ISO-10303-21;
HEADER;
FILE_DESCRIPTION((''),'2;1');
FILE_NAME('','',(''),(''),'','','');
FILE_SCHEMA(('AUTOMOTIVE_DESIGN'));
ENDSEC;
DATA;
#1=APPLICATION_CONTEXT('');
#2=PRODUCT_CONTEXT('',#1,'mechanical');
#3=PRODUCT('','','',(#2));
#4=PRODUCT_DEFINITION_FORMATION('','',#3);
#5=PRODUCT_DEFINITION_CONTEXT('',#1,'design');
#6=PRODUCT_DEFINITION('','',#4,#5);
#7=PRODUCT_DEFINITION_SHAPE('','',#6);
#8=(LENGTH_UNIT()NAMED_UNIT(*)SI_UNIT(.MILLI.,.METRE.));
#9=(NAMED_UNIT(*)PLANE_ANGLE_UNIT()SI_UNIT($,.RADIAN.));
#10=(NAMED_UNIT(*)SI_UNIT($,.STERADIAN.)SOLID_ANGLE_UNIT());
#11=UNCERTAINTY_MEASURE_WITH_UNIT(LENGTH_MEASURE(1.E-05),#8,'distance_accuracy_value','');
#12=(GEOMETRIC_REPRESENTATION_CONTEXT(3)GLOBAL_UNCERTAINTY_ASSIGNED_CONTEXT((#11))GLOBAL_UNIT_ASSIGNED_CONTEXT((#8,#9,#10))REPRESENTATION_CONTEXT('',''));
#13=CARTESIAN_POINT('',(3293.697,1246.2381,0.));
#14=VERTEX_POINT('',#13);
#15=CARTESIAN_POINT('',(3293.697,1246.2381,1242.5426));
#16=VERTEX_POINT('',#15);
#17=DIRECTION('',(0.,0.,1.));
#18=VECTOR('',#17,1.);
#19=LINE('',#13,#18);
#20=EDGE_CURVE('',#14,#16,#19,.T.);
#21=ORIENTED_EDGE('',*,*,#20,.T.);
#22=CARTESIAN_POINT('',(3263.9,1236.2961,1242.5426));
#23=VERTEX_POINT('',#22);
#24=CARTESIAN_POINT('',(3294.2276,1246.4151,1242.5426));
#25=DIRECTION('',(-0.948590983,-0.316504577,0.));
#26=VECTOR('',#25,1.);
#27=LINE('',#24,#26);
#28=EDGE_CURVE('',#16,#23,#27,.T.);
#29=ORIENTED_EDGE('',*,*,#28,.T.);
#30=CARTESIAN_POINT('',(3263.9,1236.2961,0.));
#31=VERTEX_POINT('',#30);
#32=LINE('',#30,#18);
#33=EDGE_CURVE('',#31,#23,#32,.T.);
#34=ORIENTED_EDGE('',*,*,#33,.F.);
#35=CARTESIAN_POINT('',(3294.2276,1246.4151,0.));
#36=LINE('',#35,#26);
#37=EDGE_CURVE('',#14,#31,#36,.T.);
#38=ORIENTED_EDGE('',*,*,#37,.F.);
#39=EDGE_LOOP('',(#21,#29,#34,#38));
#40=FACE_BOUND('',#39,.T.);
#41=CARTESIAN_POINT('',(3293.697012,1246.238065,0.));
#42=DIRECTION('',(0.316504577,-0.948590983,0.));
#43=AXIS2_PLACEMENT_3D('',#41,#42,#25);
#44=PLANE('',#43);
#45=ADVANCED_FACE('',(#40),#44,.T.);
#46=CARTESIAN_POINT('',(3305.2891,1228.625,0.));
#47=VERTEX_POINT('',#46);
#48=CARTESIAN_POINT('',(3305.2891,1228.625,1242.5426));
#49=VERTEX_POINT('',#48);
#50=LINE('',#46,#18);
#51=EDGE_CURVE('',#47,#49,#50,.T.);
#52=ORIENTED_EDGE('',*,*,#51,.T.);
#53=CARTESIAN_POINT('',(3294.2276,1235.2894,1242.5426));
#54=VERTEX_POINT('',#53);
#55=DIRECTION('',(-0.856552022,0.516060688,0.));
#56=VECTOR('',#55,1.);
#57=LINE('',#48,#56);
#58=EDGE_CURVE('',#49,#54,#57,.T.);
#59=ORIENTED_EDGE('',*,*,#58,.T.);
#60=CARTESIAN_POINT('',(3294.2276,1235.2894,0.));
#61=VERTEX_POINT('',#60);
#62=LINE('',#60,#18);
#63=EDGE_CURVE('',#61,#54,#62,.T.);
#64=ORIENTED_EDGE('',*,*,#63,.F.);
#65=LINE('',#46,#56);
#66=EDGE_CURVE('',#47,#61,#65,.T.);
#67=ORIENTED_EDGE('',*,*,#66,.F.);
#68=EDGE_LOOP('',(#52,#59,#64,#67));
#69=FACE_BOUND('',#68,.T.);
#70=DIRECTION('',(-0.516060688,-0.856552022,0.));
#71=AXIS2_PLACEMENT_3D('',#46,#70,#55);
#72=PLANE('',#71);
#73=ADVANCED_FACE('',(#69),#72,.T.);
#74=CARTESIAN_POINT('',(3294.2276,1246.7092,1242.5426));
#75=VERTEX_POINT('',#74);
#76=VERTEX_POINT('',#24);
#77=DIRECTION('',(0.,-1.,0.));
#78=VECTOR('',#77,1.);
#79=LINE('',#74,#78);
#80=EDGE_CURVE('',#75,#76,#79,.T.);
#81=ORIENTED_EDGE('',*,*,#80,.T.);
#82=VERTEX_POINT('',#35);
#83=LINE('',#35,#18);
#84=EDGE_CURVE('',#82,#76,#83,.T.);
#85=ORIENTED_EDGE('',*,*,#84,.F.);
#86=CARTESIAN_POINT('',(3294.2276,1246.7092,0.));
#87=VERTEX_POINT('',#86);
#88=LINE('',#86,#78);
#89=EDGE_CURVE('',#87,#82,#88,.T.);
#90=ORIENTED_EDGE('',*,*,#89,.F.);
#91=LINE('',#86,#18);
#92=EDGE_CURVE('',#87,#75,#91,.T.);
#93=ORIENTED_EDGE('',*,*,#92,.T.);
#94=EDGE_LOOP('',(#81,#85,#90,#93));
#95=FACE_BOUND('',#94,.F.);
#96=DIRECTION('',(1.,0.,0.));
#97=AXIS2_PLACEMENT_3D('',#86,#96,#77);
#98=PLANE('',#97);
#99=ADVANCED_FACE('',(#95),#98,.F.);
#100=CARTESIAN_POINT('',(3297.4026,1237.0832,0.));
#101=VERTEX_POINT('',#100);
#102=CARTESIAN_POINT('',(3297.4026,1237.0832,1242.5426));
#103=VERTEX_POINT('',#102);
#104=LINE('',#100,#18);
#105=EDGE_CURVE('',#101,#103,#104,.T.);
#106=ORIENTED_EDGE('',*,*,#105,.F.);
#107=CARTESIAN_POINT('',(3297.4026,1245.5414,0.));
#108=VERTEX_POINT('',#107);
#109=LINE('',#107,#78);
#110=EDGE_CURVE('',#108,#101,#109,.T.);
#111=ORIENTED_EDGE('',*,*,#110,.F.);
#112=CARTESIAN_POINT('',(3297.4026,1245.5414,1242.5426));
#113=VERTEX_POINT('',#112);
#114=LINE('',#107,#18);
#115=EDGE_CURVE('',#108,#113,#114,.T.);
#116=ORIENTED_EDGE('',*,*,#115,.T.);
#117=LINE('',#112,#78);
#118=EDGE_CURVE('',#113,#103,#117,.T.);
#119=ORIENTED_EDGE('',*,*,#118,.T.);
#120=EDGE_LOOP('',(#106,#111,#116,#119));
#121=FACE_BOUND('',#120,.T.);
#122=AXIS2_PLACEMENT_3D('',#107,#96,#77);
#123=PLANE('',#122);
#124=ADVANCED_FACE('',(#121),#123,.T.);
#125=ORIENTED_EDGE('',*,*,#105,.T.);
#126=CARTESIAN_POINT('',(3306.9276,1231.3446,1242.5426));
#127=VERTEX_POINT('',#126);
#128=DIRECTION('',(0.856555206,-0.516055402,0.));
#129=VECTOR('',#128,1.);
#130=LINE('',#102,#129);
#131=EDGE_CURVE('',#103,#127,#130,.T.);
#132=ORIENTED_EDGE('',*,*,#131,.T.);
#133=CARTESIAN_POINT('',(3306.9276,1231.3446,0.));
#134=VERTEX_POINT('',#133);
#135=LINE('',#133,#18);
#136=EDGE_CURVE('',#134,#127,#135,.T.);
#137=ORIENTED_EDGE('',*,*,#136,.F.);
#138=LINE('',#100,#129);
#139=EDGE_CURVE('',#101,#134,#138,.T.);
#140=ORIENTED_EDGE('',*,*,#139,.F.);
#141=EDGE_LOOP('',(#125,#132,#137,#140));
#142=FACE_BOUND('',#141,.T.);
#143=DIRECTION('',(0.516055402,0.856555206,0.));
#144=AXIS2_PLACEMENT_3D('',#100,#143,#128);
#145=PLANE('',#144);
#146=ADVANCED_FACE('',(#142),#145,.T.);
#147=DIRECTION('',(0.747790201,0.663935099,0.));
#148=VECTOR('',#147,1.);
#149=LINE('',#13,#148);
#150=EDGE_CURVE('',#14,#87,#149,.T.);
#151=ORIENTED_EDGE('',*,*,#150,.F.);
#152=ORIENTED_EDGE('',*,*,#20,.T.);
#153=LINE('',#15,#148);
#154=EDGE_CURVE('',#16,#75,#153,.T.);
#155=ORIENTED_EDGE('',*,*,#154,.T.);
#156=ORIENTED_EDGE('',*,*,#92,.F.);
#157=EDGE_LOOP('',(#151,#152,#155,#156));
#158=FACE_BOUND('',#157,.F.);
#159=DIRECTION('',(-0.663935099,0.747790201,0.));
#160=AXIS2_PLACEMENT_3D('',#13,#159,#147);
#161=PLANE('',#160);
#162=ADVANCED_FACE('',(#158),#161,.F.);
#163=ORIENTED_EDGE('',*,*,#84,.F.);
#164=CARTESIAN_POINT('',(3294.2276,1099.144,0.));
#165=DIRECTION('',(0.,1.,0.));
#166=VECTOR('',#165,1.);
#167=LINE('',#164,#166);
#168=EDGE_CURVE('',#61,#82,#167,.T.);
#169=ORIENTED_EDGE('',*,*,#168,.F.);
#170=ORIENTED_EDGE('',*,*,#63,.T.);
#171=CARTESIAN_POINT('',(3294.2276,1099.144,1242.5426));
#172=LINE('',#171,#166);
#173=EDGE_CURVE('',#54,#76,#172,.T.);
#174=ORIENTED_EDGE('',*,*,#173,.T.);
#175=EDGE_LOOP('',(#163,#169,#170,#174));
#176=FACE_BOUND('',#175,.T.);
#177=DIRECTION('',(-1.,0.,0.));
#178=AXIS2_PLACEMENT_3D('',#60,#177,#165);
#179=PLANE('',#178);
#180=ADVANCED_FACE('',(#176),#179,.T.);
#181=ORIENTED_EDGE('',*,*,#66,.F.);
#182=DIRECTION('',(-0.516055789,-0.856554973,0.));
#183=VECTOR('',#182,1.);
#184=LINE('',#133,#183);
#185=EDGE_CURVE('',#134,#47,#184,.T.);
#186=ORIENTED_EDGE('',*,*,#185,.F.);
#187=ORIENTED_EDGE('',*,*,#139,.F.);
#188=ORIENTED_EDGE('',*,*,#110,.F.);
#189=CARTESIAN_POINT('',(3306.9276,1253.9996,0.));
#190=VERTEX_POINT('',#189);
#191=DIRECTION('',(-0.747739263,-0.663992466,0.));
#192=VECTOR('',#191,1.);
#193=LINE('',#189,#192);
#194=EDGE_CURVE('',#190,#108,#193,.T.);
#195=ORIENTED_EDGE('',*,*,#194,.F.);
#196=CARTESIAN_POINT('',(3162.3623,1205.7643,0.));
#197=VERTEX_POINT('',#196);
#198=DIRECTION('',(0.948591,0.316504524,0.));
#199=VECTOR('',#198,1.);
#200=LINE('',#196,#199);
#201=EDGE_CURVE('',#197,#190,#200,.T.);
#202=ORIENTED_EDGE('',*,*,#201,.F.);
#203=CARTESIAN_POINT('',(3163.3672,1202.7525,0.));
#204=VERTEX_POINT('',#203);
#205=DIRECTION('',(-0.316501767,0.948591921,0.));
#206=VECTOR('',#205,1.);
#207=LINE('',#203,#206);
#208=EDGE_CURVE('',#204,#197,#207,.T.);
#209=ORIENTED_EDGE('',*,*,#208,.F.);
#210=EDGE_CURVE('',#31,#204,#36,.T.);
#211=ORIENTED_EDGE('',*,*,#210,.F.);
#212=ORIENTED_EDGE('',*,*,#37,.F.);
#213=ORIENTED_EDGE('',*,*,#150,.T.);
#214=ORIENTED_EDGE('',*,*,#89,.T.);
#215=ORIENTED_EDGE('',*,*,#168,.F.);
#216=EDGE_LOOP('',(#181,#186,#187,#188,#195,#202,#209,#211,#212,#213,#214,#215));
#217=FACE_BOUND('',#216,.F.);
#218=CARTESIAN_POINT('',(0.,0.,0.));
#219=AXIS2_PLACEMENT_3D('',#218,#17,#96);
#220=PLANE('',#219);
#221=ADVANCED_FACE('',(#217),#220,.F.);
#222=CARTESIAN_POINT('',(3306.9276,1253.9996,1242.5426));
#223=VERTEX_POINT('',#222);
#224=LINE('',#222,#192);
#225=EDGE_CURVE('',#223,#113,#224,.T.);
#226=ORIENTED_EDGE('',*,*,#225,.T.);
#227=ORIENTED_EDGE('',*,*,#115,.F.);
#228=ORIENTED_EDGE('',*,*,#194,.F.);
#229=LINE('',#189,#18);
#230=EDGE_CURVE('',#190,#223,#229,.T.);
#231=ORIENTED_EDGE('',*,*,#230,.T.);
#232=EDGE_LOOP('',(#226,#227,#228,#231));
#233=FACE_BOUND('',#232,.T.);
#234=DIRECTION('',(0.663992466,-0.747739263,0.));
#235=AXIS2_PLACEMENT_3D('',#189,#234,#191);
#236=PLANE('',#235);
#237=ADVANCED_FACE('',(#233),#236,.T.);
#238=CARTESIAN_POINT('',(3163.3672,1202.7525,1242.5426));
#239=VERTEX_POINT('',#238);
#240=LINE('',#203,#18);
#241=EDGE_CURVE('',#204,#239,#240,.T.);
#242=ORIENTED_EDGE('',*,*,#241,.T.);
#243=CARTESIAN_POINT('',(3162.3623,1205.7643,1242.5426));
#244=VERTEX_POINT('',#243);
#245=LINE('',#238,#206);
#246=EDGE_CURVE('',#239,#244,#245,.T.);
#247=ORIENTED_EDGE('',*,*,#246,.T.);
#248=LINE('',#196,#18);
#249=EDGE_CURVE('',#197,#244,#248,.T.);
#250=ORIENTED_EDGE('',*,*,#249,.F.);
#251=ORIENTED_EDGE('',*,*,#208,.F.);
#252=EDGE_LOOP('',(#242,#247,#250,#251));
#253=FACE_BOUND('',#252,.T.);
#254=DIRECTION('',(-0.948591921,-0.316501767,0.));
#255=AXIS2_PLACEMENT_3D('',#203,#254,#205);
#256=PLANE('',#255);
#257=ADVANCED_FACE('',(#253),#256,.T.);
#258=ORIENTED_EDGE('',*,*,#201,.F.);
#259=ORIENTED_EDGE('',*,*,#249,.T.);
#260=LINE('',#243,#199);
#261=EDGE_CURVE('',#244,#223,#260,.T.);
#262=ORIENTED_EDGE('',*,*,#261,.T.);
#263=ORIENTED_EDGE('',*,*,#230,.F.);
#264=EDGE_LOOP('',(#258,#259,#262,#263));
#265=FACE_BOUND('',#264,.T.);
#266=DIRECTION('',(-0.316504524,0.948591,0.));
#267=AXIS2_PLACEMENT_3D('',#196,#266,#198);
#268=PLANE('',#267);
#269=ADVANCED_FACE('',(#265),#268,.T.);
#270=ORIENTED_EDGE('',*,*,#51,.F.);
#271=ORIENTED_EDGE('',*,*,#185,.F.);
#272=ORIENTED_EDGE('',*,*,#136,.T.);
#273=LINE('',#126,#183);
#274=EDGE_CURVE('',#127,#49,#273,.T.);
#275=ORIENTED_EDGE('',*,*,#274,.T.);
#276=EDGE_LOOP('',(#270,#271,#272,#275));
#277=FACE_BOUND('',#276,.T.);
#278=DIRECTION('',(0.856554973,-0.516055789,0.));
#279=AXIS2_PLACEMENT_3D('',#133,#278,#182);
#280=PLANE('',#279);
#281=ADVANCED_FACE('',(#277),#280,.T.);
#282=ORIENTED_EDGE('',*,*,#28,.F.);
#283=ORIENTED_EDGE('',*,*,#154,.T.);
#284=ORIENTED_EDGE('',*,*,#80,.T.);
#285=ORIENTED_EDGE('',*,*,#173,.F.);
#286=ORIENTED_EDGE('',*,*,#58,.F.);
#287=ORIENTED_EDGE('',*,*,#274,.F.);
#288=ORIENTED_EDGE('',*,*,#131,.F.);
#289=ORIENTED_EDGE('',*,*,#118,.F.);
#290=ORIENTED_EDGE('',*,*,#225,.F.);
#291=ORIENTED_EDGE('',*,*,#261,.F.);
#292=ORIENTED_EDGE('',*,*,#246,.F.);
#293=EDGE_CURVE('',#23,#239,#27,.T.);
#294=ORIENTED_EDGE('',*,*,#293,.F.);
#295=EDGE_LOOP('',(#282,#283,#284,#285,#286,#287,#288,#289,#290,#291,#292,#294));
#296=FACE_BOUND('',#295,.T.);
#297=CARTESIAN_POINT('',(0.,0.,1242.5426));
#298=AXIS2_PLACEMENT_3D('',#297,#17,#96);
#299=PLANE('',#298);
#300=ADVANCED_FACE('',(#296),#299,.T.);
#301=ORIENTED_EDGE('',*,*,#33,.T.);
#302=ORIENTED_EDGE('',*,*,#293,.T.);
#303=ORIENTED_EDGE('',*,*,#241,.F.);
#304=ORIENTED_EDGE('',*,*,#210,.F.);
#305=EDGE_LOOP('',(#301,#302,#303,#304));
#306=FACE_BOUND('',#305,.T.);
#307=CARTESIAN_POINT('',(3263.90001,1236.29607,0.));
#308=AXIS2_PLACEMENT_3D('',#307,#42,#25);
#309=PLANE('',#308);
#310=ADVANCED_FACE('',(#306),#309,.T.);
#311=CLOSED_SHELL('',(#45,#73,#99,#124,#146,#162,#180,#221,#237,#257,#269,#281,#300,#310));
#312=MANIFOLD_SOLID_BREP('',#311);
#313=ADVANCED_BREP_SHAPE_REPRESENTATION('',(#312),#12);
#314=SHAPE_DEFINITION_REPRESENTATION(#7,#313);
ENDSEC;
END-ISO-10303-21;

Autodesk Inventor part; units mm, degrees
ref_plane "YZ Plane" through (0, 0, 0) normal (1, 0, 0) x (0, 1, 0)
ref_plane "XZ Plane" through (0, 0, 0) normal (0, 1, 0) x (-1, 0, 0)
ref_plane "XY Plane" through (0, 0, 0) normal (0, 0, 1) x (1, 0, 0)
sketch "Sketch1" plane through (0, 0, 0) normal (0, 0, 1) x (1, 0, 0)
  line L0 (0, 0) -> (3294.2276, 1099.144)
  line L1 (3294.2276, 1246.4151) -> (-135.0962, 102.1952)
  line L2 (0, 0) -> (-135.0962, 0)
  line L3 (-135.0962, 0) -> (-135.0962, 102.1952)
  line L4 (-135.0962, 102.1952) -> (1627.6312, 690.3426)
  line L5 (3294.2276, 1099.144) -> (3263.9, 1099.144)
  line L6 (3294.2276, 1099.144) -> (3294.2276, 1246.4151)
  line L7 (-88.9, 0) -> (-88.9, 117.6089)
  line L8 (3263.9, 1089.025) -> (3263.9, 1236.2961)
  line L9 (-135.0962, 102.1952) -> (-160.4962, 102.1952)
  line L10 (-160.4962, 102.1952) -> (-160.4962, 0)
  line L11 (-160.4962, 0) -> (-135.0962, 0)
  line L12 (-135.0962, 102.1952) -> (-140.1208, 117.2541)
  line L13 (-140.1208, 117.2541) -> (150.6173, 214.261)
  line L14 (150.6173, 214.261) -> (155.6418, 199.2021)
  line L15 (-27.6261, 154.7888) -> (-28.631, 157.8005)
  line L16 (-28.631, 157.8005) -> (-173.1962, 109.5652)
  line L17 (-173.1962, 109.5652) -> (-163.6712, 101.107)
  line L18 (-163.6712, 101.107) -> (-163.6712, 92.6488)
  line L19 (-163.6712, 92.6488) -> (-173.1962, 86.9102)
  line L20 (-171.5578, 84.1906) -> (-160.4962, 90.855)
  line L21 (-160.4962, 90.855) -> (-160.4962, 102.5338)
  line L22 (-160.4962, 102.5338) -> (-166.9808, 108.292)
  line L23 (-166.9808, 108.292) -> (-27.6261, 154.7888)
  line L24 (-171.5578, 84.1906) -> (-173.1962, 86.9102)
  line L25 (-173.1962, 109.5652) -> (-173.1962, 86.9102)
  line L26 (3163.3672, 1202.7525) -> (3162.3623, 1205.7643)
  line L27 (3162.3623, 1205.7643) -> (3306.9276, 1253.9996)
  line L28 (3163.3672, 1202.7525) -> (3293.697, 1246.2381)
  line L29 (3293.697, 1246.2381) -> (3294.2276, 1246.7092)
  line L30 (3306.9276, 1253.9996) -> (3297.4026, 1245.5414)
  line L31 (3297.4026, 1245.5414) -> (3297.4026, 1237.0832)
  line L32 (3294.2276, 1246.7092) -> (3294.2276, 1235.2894)
  line L33 (3297.4026, 1237.0832) -> (3306.9276, 1231.3446)
  line L34 (3306.9276, 1231.3446) -> (3305.2891, 1228.625)
  line L35 (3305.2891, 1228.625) -> (3294.2276, 1235.2894)
  line L36 (3306.9276, 1253.9996) -> (3306.9276, 1231.3446)
  point P0 (-160.4962, 90.855)
  point P1 (-160.4962, 101.4128)
  dimension "d5" = 139.7
  dimension "d17" = 88.9
  dimension "d19" = 3352.8
  dimension "d23" = 30.3276
  dimension "d28" = 46.1962
  dimension "d33" = 1089.025
  dimension "d36" = 25.4
  dimension "d37" = 15.875
  dimension "d49" = 3.175
  dimension "d50" = 3.175
  dimension "d51" = 3.175
  dimension "d52" = 3.175
  dimension "d54" = 8.4582
  dimension "d55" = 8.4582
  dimension "d61" = 8.4582
  dimension "d62" = 152.4
  dimension "d63" = 3.175
  dimension "d65" = 12.7
  dimension "d73" = 152.4
  dimension "d74" = 12.7
  dimension "d75" = 3.175
  dimension "d76" = 3.175
  dimension "d78" = 8.4582
  dimension "d79" = 8.4582
  dimension "d80" = 8.4582
extrude "Extrusion2" add sketch "Sketch1" along normal blind 1242.5426 contours L6 L32 L29 L1 L26 L27 L30 L31 L33 L34 L35
properties part number "Drip_Edge_For_Front_With_Length_48.752_Inches" material "Aluminum 6061"
